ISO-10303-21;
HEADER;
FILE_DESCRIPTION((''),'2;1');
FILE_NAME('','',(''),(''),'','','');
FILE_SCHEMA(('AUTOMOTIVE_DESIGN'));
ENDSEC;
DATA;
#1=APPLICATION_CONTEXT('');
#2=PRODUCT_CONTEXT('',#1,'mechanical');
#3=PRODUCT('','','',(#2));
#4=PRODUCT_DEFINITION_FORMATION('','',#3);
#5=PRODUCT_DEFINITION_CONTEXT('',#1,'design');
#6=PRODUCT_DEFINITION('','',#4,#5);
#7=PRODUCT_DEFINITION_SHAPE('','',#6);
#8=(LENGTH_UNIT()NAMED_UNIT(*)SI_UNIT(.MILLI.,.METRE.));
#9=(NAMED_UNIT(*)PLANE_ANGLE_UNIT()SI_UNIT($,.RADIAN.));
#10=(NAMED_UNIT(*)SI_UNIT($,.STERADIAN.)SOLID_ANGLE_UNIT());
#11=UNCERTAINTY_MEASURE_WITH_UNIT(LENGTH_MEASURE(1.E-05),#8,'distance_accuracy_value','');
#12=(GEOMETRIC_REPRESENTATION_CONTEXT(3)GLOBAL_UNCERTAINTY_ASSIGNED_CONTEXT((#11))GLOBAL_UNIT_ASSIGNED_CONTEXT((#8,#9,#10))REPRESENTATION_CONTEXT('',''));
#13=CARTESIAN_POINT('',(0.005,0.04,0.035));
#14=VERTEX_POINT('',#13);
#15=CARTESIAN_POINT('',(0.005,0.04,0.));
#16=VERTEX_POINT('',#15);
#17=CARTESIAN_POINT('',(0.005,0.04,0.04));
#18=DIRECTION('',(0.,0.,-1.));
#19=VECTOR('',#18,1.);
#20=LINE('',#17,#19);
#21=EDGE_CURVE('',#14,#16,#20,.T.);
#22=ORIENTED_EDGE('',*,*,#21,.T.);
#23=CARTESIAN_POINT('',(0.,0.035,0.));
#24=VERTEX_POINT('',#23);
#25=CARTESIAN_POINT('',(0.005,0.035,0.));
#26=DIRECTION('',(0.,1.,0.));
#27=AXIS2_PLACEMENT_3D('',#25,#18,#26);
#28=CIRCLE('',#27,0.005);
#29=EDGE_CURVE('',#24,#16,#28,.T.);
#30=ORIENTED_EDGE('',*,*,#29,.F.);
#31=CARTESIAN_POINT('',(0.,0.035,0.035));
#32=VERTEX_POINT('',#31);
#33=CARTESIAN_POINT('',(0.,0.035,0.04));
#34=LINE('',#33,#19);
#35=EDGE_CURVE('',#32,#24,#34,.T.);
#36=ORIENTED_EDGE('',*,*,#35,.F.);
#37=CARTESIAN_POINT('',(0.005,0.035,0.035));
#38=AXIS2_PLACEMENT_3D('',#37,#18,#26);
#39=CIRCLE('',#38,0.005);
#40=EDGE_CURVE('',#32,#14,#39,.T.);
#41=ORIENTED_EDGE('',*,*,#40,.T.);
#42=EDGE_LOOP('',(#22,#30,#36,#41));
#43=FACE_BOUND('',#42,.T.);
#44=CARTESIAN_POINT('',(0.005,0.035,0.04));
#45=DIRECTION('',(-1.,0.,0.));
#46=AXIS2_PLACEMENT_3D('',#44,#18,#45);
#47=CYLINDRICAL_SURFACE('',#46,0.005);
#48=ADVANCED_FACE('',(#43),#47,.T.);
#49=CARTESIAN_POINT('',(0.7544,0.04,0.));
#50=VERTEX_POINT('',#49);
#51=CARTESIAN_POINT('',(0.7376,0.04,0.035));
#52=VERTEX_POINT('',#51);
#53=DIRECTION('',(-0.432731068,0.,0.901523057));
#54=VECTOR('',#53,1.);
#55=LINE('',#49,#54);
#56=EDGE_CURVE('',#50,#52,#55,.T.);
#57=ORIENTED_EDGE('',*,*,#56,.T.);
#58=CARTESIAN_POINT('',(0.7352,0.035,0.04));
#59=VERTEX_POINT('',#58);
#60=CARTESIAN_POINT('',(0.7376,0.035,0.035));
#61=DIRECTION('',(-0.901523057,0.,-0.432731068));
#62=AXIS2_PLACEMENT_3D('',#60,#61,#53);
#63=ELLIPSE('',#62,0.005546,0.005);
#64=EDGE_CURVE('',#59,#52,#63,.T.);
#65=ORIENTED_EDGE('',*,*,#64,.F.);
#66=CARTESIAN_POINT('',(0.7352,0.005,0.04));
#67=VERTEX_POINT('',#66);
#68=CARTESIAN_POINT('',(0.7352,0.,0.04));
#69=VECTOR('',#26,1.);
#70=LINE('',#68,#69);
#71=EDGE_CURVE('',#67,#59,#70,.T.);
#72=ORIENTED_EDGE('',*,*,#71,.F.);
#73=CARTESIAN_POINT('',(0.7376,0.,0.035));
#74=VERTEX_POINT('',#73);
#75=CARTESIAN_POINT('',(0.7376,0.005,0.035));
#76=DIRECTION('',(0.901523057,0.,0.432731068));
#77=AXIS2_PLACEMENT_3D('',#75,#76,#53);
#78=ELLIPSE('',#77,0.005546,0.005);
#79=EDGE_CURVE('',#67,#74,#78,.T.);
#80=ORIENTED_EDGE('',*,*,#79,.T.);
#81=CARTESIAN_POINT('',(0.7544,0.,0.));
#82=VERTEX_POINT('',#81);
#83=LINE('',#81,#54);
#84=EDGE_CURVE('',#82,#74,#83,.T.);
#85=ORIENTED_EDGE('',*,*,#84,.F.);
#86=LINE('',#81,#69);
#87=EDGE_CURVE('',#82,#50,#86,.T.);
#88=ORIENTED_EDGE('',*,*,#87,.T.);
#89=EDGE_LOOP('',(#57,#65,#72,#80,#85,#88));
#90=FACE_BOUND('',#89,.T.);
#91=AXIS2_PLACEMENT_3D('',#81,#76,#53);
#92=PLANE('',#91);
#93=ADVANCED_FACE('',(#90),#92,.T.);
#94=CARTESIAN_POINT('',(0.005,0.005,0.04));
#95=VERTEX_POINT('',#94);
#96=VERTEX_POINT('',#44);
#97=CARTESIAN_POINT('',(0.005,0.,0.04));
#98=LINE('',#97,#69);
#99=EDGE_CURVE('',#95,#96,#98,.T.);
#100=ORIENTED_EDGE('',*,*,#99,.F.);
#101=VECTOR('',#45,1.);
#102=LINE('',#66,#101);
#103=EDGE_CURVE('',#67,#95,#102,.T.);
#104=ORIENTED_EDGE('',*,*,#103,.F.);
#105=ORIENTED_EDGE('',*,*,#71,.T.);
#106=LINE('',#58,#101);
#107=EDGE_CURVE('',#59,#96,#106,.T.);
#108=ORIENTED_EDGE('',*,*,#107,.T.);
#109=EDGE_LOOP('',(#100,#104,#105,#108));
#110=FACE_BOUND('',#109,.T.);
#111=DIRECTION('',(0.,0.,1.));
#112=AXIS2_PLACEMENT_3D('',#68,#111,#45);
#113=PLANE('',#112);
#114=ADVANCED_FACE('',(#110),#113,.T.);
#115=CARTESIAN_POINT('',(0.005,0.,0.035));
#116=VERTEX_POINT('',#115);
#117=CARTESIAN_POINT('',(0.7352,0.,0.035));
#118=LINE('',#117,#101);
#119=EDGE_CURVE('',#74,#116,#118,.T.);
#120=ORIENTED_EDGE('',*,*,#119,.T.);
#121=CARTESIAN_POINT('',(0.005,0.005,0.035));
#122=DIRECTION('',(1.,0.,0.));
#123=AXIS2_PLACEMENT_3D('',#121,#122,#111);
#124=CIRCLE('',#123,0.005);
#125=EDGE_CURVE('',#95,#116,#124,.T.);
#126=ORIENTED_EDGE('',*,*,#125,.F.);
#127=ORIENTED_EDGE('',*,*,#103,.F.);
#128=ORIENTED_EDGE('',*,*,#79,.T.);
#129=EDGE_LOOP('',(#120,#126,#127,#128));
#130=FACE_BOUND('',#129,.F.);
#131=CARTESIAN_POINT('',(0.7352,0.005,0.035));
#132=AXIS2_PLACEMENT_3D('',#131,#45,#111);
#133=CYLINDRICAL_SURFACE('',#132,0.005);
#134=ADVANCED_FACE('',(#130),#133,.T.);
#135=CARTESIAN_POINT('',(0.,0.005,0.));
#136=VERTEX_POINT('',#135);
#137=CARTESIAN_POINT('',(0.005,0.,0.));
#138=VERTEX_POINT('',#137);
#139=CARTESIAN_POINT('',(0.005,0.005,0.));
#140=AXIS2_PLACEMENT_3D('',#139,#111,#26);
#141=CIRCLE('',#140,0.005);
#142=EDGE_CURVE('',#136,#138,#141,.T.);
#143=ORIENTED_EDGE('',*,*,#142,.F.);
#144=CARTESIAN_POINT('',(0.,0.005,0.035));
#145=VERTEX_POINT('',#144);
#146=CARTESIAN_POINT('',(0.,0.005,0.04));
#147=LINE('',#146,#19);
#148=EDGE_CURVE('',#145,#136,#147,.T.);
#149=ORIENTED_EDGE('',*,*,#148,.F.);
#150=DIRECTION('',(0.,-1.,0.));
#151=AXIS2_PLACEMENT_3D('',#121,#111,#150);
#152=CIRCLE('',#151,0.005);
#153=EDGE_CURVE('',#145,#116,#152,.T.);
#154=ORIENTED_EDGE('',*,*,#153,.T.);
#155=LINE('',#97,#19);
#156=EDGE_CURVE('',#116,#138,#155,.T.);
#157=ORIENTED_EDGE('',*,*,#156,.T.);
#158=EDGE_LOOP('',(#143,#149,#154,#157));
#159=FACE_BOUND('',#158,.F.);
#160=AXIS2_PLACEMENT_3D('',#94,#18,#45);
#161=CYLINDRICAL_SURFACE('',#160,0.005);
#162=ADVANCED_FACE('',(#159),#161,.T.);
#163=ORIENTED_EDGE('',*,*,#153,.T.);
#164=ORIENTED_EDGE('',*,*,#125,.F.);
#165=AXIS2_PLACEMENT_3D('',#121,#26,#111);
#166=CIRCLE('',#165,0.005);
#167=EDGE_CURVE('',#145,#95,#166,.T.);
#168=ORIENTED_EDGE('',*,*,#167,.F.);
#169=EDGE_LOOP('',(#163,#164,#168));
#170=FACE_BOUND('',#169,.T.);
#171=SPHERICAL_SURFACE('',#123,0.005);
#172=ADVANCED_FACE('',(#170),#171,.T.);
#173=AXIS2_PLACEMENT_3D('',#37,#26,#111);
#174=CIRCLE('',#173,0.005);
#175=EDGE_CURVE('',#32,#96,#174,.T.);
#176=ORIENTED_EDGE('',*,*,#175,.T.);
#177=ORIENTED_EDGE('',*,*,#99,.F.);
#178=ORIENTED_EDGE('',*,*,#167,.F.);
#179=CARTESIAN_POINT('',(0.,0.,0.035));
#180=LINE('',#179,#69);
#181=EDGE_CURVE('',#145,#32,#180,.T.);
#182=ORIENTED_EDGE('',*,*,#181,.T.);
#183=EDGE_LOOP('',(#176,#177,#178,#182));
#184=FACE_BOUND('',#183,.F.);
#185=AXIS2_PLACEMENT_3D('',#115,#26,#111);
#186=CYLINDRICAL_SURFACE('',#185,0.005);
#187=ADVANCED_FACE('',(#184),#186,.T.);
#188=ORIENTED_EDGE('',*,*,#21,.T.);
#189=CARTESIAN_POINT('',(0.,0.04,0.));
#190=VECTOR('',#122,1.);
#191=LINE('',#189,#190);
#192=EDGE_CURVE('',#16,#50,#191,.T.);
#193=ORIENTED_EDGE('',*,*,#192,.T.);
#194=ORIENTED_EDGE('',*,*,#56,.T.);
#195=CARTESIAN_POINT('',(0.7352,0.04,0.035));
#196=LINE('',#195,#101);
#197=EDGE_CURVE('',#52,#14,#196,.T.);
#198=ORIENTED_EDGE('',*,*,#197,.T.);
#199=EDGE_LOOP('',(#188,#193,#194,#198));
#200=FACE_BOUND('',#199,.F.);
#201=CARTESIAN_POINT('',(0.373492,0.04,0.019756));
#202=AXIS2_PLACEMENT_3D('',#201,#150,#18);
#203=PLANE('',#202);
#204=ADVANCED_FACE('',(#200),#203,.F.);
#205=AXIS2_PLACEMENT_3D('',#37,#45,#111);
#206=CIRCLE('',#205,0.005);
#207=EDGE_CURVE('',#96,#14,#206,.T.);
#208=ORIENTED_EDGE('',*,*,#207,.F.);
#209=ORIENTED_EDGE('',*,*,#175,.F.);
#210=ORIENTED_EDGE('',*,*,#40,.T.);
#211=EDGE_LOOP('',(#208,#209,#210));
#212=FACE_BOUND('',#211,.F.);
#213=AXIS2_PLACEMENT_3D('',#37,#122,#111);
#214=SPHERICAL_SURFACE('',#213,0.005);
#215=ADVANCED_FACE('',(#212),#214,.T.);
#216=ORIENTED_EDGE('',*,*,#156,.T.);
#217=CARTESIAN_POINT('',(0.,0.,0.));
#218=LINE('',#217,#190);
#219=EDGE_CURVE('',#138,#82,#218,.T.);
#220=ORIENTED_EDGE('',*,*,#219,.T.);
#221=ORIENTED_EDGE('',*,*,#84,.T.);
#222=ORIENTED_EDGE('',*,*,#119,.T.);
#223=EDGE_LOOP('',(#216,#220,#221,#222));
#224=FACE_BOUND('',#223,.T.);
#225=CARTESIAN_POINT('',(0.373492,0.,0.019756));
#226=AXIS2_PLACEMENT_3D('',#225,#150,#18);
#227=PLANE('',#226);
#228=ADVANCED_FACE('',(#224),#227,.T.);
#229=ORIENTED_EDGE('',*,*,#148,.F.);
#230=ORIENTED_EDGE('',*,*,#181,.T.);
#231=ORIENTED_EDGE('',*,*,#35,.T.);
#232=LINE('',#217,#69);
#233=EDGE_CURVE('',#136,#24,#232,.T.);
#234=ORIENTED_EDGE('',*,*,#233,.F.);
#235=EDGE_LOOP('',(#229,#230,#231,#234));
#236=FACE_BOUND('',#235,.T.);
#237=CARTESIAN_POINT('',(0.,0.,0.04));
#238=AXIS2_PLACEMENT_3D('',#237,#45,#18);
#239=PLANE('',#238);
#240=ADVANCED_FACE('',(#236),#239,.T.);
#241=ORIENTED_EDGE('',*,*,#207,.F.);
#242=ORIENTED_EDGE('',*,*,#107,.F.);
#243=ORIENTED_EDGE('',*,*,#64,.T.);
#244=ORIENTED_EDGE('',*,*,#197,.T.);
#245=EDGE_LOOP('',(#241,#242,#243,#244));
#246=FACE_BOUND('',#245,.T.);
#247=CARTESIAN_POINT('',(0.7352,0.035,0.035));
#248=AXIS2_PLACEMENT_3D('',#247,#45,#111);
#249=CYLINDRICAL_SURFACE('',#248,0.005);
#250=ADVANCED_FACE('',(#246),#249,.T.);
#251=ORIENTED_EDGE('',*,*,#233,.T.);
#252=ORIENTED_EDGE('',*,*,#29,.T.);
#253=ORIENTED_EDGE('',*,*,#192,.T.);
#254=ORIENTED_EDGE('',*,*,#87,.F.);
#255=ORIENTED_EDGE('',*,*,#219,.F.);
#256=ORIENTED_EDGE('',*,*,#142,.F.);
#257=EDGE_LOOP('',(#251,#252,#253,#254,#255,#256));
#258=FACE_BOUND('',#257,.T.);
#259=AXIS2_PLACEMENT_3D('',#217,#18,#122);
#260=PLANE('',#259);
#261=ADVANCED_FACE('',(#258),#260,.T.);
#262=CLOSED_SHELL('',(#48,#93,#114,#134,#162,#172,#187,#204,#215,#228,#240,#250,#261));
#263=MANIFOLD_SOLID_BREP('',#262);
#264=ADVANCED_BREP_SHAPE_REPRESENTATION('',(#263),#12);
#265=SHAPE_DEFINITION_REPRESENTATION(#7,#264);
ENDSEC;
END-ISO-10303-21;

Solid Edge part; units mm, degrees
sketch "Sketch1" plane through (0, 0, 0) normal (0, -1, 0) x (1, 0, 0)
  line L0 (0, 0) -> (0.7544, 0)
  line L1 (0.7544, 0) -> (0.7352, 0.04)
  line L2 (0.7352, 0.04) -> (0, 0.04)
  line L3 (0, 0.04) -> (0, 0)
  dimension "D1" = 0.04
extrude "Protrusion1" add sketch "Sketch1" against normal blind 0.04
fillet "Verrundung_1" radius 0.005 5 edges at (0.3676, 0.04, 0.04) (0.3676, 0, 0.04) (0, 0.02, 0.04) (0, 0, 0.02) (0, 0.04, 0.02)
